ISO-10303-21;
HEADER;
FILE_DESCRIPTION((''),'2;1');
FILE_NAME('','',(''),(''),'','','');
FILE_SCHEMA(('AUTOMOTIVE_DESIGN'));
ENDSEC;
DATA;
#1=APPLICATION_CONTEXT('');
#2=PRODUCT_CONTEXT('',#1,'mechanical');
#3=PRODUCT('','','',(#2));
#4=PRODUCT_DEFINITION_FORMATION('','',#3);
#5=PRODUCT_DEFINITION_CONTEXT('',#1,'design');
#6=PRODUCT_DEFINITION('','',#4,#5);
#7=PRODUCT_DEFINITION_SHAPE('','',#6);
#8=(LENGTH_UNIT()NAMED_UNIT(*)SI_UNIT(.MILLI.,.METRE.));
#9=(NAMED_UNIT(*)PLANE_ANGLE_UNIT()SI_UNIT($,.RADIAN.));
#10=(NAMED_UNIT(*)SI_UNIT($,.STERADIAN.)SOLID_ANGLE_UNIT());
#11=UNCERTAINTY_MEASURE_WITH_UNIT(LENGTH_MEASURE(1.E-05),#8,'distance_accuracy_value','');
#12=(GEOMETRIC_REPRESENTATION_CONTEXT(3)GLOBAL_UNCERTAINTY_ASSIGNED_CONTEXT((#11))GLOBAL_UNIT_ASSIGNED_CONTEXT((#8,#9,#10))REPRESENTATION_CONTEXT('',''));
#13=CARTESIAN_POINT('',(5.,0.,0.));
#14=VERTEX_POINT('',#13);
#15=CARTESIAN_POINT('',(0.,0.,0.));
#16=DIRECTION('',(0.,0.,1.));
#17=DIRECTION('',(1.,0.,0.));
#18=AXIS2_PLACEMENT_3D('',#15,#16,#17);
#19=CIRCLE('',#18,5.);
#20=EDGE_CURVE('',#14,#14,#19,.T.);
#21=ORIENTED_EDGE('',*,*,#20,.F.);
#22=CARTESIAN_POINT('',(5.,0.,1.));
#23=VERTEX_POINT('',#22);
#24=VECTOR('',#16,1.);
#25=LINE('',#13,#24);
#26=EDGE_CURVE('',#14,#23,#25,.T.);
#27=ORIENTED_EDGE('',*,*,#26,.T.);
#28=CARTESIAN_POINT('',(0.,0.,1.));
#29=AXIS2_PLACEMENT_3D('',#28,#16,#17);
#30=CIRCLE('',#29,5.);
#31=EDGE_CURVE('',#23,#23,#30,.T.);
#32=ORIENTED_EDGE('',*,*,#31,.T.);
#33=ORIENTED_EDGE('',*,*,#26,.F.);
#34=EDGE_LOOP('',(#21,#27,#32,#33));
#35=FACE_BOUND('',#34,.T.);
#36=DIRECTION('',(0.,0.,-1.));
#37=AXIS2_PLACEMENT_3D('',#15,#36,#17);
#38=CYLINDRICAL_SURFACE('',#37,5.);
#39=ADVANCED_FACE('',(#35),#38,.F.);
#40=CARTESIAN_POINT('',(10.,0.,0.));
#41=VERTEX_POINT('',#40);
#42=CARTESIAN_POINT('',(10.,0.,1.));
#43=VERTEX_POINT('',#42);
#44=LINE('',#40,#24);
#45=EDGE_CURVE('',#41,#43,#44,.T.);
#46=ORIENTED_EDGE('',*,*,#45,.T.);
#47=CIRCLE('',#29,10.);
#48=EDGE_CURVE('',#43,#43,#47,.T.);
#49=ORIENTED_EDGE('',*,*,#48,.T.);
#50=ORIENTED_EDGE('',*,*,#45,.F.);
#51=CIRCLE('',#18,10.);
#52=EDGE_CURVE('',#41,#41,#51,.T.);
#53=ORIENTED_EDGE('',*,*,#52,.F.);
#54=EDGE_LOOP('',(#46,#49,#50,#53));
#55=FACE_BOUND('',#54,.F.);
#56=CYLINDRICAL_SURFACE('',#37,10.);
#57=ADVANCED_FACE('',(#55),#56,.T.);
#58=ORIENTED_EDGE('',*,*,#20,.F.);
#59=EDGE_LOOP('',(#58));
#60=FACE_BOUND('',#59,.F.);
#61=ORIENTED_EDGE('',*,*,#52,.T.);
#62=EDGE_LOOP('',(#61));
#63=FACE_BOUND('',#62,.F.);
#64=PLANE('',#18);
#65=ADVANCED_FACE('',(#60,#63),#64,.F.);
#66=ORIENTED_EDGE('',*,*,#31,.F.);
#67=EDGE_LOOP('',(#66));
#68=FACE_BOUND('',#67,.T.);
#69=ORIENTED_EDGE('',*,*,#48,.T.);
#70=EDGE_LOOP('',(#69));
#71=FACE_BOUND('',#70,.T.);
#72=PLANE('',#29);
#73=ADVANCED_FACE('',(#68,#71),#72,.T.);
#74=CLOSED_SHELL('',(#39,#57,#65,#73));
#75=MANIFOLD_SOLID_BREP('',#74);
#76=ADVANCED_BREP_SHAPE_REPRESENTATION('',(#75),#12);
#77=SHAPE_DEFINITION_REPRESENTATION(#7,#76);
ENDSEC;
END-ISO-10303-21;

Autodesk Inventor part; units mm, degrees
ref_plane "YZ Plane" through (0, 0, 0) normal (1, 0, 0) x (0, 1, 0)
ref_plane "XZ Plane" through (0, 0, 0) normal (0, 1, 0) x (-1, 0, 0)
ref_plane "XY Plane" through (0, 0, 0) normal (0, 0, 1) x (1, 0, 0)
sketch "スケッチ1" plane through (0, 0, 0) normal (0, 0, 1) x (1, 0, 0)
  circle A0 centre (0, 0) radius 5
  circle A1 centre (0, 0) radius 10
  dimension "d0" = 10
  dimension "d1" = 20
extrude "押し出し1" add sketch "スケッチ1" along normal blind 1
properties part number "ワッシャ10-20  1" material "アセタール樹脂、黒"
